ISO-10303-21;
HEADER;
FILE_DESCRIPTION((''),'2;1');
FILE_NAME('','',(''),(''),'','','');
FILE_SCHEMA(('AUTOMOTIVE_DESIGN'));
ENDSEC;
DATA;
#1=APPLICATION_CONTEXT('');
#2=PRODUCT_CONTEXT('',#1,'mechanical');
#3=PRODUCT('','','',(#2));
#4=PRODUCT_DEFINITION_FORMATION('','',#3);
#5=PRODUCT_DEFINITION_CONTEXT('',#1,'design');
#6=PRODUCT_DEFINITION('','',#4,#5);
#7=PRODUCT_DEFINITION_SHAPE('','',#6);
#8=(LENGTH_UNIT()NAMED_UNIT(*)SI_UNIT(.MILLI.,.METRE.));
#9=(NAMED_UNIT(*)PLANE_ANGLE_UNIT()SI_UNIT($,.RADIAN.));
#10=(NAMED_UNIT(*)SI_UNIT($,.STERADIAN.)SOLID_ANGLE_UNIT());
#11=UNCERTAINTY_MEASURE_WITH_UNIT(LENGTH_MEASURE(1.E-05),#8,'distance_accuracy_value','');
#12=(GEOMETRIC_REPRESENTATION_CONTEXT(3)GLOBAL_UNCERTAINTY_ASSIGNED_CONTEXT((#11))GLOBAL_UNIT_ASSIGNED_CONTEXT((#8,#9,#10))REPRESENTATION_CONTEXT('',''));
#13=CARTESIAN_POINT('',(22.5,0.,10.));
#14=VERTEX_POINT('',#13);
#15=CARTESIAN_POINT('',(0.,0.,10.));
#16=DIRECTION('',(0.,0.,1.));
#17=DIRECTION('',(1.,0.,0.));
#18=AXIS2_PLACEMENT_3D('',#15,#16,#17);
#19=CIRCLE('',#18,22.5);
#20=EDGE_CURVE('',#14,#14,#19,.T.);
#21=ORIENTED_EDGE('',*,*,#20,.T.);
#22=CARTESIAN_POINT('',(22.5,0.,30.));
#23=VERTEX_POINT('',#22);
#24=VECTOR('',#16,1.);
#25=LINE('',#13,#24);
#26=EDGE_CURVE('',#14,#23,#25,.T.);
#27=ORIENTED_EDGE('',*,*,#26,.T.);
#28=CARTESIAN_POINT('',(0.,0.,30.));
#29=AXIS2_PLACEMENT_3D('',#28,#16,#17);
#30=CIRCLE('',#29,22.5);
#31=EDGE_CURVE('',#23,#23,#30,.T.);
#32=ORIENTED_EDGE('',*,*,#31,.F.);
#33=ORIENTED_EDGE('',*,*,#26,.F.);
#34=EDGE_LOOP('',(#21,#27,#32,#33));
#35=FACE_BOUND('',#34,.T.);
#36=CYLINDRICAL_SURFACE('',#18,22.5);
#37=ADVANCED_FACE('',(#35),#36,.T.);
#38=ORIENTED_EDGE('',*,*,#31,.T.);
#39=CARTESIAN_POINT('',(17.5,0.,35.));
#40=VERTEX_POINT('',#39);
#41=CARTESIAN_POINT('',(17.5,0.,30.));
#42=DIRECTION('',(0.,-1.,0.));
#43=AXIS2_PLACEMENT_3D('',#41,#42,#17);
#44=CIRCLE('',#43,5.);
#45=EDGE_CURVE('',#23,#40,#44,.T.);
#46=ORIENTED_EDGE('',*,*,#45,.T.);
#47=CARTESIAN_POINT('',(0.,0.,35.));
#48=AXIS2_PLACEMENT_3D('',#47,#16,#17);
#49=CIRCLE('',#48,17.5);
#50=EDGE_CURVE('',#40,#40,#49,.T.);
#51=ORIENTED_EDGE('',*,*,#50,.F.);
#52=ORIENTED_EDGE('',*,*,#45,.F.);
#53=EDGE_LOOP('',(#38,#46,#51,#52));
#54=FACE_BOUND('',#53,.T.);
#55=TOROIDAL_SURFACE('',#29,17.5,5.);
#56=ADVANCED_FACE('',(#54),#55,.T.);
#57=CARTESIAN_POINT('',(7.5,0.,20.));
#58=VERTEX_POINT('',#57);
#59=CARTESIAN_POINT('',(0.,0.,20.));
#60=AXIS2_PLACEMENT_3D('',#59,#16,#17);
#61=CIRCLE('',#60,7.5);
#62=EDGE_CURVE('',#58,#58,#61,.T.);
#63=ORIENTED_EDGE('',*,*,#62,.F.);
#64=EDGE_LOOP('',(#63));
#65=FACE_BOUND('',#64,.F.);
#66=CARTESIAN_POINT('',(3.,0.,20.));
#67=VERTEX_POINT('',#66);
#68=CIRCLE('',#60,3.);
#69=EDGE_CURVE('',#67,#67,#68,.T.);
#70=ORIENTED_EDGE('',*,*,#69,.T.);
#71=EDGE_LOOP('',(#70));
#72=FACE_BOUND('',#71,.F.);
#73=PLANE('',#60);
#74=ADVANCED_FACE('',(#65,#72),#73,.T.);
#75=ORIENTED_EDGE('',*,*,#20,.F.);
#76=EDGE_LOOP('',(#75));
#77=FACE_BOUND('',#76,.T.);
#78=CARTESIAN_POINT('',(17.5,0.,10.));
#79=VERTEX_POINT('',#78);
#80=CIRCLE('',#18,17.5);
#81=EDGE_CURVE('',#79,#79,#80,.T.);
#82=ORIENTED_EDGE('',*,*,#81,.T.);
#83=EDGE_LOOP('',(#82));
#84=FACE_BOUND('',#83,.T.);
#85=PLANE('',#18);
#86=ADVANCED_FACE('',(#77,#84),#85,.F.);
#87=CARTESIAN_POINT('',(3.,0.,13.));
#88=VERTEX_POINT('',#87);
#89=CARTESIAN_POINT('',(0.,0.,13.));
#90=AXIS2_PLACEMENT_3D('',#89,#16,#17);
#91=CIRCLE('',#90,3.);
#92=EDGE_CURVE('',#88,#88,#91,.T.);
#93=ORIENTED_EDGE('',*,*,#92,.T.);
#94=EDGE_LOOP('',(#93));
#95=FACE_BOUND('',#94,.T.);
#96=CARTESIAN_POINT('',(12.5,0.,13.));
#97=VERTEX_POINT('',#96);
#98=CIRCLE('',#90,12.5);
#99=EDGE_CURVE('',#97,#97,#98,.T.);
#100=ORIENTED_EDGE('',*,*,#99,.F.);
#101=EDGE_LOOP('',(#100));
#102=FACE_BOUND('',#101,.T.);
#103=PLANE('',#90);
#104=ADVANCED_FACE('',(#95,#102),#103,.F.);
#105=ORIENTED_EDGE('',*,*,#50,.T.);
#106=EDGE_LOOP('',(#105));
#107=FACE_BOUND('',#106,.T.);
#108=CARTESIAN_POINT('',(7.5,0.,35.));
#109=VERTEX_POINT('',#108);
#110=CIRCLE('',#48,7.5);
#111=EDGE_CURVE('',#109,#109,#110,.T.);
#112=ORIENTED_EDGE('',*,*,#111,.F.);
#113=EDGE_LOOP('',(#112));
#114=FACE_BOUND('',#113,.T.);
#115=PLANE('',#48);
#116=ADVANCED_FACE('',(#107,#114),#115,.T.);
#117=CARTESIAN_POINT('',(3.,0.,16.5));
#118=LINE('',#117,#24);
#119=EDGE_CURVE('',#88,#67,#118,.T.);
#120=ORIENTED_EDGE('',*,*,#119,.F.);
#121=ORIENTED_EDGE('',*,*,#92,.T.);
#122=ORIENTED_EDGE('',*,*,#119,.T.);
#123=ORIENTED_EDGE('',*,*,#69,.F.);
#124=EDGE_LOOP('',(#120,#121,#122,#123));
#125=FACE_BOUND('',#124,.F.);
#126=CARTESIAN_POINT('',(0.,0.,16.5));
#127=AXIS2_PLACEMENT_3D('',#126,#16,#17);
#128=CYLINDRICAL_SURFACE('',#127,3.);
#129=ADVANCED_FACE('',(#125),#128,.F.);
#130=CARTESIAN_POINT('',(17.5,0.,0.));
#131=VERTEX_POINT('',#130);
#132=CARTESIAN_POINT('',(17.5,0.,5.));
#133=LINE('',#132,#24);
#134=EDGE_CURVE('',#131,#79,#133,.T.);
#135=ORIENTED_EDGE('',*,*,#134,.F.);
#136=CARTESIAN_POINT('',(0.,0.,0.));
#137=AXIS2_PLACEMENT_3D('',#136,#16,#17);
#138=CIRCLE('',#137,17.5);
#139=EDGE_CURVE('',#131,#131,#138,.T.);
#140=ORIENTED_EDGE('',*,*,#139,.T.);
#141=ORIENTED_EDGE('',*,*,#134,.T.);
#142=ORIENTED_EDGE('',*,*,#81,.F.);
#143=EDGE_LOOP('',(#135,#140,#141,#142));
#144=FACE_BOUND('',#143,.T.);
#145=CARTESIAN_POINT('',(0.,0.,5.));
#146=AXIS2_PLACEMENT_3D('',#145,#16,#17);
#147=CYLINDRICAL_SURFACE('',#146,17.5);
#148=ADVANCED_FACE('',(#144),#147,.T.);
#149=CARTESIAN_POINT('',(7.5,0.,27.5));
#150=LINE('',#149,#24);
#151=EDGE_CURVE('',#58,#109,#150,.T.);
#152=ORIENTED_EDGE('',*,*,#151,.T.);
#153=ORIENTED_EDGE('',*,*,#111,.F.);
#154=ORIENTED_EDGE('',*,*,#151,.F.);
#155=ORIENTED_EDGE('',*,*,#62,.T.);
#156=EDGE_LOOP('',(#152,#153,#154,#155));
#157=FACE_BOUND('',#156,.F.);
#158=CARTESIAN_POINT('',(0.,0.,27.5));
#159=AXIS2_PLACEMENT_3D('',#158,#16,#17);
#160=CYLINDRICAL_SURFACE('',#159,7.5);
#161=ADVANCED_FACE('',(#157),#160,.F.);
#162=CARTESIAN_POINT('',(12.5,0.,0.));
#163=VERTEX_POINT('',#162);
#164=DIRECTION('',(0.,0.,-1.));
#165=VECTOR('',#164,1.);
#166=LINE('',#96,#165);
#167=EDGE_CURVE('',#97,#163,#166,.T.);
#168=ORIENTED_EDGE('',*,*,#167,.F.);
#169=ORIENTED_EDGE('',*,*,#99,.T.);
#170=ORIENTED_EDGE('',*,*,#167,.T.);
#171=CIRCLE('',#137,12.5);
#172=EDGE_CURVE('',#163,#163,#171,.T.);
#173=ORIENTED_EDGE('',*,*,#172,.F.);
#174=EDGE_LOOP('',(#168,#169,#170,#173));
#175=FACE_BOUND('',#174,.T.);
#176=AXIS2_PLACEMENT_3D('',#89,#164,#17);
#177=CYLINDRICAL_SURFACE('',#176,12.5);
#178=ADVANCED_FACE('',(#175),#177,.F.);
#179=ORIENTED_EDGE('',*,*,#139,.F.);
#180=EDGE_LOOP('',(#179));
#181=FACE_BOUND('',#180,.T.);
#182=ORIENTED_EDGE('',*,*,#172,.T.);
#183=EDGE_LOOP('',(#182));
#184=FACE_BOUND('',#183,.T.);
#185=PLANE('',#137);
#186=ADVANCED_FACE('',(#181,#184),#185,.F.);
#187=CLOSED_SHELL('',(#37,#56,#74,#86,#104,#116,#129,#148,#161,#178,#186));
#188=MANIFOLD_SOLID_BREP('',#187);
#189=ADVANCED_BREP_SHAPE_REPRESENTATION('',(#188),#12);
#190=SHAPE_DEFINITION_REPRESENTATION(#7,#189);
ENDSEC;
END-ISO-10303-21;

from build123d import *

# Parameters (mm, degrees)
F0_W   = 4.5
F0_H   = 7
F0_W_2 = 5
F0_H_2 = 3
F0_H_3 = 15
F0_H_4 = 10
F2_R   = 5


with BuildPart() as f1:
    # F0 (on Front) → F1 (revolve)
    with BuildSketch(Plane.XZ):
        with Locations((5.25, 16.5)):
            Rectangle(F0_W, F0_H)
        with Locations((20, 11.5)):
            Rectangle(F0_W_2, F0_H_2)
        with Locations((20, 16.5)):
            Rectangle(F0_W_2, F0_H)
        with Locations((20, 27.5)):
            Rectangle(F0_W_2, F0_H_3)
        with Locations((15, 27.5)):
            Rectangle(F0_W_2, F0_H_3)
        with Locations((10, 27.5)):
            Rectangle(F0_W_2, F0_H_3)
        with Locations((10, 16.5)):
            Rectangle(F0_W_2, F0_H)
        with Locations((15, 16.5)):
            Rectangle(F0_W_2, F0_H)
        with Locations((15, 5)):
            Rectangle(F0_W_2, F0_H_4)
        with Locations((15, 11.5)):
            Rectangle(F0_W_2, F0_H_2)
    revolve(axis=Axis((0, 0, 17.5), (0, 0, 1)))

    # F2
    f2_edges = [f1.edges().sort_by_distance(p)[0] for p in [
        (-22.5, 0, 35),
    ]]
    fillet(f2_edges, radius=F2_R)


solid = f1.part
